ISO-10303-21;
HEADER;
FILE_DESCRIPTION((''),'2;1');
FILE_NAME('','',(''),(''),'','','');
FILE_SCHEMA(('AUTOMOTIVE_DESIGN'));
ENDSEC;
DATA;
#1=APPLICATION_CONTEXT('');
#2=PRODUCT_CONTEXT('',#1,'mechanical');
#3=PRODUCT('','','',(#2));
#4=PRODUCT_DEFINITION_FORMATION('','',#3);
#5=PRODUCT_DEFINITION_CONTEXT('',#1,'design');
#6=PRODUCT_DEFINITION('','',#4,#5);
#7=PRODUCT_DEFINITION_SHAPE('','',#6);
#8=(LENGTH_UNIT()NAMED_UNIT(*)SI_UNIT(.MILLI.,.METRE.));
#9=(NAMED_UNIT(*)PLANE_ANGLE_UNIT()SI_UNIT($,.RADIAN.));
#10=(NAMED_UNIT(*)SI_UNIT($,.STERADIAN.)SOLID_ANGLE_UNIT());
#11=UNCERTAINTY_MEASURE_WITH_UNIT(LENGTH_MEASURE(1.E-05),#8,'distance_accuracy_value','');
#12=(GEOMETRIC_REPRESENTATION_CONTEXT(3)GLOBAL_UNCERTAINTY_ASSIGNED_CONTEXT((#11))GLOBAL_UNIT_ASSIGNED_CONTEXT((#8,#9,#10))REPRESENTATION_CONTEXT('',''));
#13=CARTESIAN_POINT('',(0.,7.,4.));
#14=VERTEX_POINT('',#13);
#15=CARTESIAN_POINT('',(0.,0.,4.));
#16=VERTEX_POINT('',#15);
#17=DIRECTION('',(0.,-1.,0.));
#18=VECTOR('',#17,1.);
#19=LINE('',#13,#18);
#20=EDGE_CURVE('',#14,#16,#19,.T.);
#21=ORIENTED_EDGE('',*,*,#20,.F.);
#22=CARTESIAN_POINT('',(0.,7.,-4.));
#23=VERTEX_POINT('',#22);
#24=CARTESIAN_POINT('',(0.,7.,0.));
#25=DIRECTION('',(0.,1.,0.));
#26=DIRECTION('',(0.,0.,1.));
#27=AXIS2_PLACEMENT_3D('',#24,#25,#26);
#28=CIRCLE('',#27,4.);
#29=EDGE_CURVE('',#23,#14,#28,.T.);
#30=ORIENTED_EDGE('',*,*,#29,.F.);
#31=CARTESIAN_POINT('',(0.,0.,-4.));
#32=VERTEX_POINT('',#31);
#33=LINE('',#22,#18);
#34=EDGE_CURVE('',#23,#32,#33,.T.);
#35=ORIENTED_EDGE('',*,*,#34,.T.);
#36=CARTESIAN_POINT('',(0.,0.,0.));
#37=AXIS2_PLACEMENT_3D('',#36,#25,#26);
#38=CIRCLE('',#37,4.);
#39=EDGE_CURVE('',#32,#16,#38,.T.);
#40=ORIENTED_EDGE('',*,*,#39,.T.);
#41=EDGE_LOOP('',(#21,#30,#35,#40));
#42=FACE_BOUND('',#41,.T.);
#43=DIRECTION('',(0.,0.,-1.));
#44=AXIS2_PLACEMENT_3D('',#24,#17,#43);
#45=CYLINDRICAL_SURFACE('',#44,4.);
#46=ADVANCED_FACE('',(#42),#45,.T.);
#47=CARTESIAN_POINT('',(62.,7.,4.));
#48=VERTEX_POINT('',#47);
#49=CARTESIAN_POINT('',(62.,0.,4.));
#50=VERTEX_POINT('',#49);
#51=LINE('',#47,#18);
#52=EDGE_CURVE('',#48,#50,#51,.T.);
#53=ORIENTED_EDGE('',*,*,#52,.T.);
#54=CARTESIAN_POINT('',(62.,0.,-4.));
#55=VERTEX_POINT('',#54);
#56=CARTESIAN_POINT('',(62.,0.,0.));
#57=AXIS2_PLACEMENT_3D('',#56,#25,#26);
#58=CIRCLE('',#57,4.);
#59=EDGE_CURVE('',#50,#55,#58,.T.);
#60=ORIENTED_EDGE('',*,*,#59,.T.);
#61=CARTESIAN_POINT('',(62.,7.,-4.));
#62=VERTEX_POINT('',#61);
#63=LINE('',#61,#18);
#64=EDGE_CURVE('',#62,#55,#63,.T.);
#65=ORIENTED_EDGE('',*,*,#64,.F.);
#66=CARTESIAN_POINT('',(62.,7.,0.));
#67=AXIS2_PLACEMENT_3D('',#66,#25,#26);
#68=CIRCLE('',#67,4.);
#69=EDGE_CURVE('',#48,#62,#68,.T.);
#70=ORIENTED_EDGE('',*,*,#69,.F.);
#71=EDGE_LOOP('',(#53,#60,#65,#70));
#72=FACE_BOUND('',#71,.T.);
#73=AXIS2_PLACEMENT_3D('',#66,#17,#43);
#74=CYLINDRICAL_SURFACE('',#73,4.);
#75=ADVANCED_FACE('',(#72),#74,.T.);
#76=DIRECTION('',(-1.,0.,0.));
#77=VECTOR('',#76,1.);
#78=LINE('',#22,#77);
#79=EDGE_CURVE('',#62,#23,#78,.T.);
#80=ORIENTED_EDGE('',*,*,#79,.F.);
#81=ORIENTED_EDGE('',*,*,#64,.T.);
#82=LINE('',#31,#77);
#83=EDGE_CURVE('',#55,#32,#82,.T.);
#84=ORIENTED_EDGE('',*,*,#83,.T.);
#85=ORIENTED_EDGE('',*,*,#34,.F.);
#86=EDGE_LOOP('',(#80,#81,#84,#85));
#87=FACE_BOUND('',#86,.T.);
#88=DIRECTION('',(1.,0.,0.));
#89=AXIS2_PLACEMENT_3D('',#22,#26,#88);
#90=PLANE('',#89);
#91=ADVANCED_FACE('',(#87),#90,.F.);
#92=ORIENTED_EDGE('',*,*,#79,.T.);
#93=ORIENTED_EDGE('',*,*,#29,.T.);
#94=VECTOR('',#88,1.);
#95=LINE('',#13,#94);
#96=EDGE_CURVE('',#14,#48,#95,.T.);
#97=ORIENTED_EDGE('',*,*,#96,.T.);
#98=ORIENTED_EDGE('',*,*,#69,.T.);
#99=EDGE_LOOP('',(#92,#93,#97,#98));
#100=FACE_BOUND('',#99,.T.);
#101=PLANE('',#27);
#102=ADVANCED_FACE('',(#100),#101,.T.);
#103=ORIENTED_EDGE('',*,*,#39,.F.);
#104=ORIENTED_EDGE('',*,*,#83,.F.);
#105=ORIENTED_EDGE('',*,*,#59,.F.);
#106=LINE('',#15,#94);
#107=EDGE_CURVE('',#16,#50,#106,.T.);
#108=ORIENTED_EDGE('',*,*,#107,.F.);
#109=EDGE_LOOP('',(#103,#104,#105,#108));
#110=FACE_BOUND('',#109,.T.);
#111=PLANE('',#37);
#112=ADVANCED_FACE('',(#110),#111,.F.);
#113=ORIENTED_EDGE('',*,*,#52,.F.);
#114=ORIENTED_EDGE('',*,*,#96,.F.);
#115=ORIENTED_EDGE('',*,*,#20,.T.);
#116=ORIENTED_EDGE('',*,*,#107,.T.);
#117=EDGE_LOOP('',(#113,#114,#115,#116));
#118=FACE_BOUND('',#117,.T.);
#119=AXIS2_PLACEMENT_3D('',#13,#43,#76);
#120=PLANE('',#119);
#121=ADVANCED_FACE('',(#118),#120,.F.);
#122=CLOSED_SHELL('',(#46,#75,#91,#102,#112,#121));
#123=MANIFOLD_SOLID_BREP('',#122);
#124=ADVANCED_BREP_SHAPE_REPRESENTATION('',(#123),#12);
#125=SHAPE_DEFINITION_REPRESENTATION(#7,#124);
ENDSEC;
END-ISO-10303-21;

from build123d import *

# Parameters (mm, degrees)
EXTRUDE_1_DEPTH = 7


with BuildPart() as part:
    # Эскиз1 → Бобышка-Вытянуть1 (new body)
    with BuildSketch(Plane(origin=(0, 0, 0), x_dir=(1, 0, 0), z_dir=(0, 1, 0))):
        with BuildLine():
            Line((0, 4), (62, 4))
            ThreePointArc((62, 4), (66, 0), (62, -4))
            Line((62, -4), (0, -4))
            ThreePointArc((0, -4), (-4, 0), (0, 4))
        make_face()
    extrude(amount=EXTRUDE_1_DEPTH)


solid = part.part
